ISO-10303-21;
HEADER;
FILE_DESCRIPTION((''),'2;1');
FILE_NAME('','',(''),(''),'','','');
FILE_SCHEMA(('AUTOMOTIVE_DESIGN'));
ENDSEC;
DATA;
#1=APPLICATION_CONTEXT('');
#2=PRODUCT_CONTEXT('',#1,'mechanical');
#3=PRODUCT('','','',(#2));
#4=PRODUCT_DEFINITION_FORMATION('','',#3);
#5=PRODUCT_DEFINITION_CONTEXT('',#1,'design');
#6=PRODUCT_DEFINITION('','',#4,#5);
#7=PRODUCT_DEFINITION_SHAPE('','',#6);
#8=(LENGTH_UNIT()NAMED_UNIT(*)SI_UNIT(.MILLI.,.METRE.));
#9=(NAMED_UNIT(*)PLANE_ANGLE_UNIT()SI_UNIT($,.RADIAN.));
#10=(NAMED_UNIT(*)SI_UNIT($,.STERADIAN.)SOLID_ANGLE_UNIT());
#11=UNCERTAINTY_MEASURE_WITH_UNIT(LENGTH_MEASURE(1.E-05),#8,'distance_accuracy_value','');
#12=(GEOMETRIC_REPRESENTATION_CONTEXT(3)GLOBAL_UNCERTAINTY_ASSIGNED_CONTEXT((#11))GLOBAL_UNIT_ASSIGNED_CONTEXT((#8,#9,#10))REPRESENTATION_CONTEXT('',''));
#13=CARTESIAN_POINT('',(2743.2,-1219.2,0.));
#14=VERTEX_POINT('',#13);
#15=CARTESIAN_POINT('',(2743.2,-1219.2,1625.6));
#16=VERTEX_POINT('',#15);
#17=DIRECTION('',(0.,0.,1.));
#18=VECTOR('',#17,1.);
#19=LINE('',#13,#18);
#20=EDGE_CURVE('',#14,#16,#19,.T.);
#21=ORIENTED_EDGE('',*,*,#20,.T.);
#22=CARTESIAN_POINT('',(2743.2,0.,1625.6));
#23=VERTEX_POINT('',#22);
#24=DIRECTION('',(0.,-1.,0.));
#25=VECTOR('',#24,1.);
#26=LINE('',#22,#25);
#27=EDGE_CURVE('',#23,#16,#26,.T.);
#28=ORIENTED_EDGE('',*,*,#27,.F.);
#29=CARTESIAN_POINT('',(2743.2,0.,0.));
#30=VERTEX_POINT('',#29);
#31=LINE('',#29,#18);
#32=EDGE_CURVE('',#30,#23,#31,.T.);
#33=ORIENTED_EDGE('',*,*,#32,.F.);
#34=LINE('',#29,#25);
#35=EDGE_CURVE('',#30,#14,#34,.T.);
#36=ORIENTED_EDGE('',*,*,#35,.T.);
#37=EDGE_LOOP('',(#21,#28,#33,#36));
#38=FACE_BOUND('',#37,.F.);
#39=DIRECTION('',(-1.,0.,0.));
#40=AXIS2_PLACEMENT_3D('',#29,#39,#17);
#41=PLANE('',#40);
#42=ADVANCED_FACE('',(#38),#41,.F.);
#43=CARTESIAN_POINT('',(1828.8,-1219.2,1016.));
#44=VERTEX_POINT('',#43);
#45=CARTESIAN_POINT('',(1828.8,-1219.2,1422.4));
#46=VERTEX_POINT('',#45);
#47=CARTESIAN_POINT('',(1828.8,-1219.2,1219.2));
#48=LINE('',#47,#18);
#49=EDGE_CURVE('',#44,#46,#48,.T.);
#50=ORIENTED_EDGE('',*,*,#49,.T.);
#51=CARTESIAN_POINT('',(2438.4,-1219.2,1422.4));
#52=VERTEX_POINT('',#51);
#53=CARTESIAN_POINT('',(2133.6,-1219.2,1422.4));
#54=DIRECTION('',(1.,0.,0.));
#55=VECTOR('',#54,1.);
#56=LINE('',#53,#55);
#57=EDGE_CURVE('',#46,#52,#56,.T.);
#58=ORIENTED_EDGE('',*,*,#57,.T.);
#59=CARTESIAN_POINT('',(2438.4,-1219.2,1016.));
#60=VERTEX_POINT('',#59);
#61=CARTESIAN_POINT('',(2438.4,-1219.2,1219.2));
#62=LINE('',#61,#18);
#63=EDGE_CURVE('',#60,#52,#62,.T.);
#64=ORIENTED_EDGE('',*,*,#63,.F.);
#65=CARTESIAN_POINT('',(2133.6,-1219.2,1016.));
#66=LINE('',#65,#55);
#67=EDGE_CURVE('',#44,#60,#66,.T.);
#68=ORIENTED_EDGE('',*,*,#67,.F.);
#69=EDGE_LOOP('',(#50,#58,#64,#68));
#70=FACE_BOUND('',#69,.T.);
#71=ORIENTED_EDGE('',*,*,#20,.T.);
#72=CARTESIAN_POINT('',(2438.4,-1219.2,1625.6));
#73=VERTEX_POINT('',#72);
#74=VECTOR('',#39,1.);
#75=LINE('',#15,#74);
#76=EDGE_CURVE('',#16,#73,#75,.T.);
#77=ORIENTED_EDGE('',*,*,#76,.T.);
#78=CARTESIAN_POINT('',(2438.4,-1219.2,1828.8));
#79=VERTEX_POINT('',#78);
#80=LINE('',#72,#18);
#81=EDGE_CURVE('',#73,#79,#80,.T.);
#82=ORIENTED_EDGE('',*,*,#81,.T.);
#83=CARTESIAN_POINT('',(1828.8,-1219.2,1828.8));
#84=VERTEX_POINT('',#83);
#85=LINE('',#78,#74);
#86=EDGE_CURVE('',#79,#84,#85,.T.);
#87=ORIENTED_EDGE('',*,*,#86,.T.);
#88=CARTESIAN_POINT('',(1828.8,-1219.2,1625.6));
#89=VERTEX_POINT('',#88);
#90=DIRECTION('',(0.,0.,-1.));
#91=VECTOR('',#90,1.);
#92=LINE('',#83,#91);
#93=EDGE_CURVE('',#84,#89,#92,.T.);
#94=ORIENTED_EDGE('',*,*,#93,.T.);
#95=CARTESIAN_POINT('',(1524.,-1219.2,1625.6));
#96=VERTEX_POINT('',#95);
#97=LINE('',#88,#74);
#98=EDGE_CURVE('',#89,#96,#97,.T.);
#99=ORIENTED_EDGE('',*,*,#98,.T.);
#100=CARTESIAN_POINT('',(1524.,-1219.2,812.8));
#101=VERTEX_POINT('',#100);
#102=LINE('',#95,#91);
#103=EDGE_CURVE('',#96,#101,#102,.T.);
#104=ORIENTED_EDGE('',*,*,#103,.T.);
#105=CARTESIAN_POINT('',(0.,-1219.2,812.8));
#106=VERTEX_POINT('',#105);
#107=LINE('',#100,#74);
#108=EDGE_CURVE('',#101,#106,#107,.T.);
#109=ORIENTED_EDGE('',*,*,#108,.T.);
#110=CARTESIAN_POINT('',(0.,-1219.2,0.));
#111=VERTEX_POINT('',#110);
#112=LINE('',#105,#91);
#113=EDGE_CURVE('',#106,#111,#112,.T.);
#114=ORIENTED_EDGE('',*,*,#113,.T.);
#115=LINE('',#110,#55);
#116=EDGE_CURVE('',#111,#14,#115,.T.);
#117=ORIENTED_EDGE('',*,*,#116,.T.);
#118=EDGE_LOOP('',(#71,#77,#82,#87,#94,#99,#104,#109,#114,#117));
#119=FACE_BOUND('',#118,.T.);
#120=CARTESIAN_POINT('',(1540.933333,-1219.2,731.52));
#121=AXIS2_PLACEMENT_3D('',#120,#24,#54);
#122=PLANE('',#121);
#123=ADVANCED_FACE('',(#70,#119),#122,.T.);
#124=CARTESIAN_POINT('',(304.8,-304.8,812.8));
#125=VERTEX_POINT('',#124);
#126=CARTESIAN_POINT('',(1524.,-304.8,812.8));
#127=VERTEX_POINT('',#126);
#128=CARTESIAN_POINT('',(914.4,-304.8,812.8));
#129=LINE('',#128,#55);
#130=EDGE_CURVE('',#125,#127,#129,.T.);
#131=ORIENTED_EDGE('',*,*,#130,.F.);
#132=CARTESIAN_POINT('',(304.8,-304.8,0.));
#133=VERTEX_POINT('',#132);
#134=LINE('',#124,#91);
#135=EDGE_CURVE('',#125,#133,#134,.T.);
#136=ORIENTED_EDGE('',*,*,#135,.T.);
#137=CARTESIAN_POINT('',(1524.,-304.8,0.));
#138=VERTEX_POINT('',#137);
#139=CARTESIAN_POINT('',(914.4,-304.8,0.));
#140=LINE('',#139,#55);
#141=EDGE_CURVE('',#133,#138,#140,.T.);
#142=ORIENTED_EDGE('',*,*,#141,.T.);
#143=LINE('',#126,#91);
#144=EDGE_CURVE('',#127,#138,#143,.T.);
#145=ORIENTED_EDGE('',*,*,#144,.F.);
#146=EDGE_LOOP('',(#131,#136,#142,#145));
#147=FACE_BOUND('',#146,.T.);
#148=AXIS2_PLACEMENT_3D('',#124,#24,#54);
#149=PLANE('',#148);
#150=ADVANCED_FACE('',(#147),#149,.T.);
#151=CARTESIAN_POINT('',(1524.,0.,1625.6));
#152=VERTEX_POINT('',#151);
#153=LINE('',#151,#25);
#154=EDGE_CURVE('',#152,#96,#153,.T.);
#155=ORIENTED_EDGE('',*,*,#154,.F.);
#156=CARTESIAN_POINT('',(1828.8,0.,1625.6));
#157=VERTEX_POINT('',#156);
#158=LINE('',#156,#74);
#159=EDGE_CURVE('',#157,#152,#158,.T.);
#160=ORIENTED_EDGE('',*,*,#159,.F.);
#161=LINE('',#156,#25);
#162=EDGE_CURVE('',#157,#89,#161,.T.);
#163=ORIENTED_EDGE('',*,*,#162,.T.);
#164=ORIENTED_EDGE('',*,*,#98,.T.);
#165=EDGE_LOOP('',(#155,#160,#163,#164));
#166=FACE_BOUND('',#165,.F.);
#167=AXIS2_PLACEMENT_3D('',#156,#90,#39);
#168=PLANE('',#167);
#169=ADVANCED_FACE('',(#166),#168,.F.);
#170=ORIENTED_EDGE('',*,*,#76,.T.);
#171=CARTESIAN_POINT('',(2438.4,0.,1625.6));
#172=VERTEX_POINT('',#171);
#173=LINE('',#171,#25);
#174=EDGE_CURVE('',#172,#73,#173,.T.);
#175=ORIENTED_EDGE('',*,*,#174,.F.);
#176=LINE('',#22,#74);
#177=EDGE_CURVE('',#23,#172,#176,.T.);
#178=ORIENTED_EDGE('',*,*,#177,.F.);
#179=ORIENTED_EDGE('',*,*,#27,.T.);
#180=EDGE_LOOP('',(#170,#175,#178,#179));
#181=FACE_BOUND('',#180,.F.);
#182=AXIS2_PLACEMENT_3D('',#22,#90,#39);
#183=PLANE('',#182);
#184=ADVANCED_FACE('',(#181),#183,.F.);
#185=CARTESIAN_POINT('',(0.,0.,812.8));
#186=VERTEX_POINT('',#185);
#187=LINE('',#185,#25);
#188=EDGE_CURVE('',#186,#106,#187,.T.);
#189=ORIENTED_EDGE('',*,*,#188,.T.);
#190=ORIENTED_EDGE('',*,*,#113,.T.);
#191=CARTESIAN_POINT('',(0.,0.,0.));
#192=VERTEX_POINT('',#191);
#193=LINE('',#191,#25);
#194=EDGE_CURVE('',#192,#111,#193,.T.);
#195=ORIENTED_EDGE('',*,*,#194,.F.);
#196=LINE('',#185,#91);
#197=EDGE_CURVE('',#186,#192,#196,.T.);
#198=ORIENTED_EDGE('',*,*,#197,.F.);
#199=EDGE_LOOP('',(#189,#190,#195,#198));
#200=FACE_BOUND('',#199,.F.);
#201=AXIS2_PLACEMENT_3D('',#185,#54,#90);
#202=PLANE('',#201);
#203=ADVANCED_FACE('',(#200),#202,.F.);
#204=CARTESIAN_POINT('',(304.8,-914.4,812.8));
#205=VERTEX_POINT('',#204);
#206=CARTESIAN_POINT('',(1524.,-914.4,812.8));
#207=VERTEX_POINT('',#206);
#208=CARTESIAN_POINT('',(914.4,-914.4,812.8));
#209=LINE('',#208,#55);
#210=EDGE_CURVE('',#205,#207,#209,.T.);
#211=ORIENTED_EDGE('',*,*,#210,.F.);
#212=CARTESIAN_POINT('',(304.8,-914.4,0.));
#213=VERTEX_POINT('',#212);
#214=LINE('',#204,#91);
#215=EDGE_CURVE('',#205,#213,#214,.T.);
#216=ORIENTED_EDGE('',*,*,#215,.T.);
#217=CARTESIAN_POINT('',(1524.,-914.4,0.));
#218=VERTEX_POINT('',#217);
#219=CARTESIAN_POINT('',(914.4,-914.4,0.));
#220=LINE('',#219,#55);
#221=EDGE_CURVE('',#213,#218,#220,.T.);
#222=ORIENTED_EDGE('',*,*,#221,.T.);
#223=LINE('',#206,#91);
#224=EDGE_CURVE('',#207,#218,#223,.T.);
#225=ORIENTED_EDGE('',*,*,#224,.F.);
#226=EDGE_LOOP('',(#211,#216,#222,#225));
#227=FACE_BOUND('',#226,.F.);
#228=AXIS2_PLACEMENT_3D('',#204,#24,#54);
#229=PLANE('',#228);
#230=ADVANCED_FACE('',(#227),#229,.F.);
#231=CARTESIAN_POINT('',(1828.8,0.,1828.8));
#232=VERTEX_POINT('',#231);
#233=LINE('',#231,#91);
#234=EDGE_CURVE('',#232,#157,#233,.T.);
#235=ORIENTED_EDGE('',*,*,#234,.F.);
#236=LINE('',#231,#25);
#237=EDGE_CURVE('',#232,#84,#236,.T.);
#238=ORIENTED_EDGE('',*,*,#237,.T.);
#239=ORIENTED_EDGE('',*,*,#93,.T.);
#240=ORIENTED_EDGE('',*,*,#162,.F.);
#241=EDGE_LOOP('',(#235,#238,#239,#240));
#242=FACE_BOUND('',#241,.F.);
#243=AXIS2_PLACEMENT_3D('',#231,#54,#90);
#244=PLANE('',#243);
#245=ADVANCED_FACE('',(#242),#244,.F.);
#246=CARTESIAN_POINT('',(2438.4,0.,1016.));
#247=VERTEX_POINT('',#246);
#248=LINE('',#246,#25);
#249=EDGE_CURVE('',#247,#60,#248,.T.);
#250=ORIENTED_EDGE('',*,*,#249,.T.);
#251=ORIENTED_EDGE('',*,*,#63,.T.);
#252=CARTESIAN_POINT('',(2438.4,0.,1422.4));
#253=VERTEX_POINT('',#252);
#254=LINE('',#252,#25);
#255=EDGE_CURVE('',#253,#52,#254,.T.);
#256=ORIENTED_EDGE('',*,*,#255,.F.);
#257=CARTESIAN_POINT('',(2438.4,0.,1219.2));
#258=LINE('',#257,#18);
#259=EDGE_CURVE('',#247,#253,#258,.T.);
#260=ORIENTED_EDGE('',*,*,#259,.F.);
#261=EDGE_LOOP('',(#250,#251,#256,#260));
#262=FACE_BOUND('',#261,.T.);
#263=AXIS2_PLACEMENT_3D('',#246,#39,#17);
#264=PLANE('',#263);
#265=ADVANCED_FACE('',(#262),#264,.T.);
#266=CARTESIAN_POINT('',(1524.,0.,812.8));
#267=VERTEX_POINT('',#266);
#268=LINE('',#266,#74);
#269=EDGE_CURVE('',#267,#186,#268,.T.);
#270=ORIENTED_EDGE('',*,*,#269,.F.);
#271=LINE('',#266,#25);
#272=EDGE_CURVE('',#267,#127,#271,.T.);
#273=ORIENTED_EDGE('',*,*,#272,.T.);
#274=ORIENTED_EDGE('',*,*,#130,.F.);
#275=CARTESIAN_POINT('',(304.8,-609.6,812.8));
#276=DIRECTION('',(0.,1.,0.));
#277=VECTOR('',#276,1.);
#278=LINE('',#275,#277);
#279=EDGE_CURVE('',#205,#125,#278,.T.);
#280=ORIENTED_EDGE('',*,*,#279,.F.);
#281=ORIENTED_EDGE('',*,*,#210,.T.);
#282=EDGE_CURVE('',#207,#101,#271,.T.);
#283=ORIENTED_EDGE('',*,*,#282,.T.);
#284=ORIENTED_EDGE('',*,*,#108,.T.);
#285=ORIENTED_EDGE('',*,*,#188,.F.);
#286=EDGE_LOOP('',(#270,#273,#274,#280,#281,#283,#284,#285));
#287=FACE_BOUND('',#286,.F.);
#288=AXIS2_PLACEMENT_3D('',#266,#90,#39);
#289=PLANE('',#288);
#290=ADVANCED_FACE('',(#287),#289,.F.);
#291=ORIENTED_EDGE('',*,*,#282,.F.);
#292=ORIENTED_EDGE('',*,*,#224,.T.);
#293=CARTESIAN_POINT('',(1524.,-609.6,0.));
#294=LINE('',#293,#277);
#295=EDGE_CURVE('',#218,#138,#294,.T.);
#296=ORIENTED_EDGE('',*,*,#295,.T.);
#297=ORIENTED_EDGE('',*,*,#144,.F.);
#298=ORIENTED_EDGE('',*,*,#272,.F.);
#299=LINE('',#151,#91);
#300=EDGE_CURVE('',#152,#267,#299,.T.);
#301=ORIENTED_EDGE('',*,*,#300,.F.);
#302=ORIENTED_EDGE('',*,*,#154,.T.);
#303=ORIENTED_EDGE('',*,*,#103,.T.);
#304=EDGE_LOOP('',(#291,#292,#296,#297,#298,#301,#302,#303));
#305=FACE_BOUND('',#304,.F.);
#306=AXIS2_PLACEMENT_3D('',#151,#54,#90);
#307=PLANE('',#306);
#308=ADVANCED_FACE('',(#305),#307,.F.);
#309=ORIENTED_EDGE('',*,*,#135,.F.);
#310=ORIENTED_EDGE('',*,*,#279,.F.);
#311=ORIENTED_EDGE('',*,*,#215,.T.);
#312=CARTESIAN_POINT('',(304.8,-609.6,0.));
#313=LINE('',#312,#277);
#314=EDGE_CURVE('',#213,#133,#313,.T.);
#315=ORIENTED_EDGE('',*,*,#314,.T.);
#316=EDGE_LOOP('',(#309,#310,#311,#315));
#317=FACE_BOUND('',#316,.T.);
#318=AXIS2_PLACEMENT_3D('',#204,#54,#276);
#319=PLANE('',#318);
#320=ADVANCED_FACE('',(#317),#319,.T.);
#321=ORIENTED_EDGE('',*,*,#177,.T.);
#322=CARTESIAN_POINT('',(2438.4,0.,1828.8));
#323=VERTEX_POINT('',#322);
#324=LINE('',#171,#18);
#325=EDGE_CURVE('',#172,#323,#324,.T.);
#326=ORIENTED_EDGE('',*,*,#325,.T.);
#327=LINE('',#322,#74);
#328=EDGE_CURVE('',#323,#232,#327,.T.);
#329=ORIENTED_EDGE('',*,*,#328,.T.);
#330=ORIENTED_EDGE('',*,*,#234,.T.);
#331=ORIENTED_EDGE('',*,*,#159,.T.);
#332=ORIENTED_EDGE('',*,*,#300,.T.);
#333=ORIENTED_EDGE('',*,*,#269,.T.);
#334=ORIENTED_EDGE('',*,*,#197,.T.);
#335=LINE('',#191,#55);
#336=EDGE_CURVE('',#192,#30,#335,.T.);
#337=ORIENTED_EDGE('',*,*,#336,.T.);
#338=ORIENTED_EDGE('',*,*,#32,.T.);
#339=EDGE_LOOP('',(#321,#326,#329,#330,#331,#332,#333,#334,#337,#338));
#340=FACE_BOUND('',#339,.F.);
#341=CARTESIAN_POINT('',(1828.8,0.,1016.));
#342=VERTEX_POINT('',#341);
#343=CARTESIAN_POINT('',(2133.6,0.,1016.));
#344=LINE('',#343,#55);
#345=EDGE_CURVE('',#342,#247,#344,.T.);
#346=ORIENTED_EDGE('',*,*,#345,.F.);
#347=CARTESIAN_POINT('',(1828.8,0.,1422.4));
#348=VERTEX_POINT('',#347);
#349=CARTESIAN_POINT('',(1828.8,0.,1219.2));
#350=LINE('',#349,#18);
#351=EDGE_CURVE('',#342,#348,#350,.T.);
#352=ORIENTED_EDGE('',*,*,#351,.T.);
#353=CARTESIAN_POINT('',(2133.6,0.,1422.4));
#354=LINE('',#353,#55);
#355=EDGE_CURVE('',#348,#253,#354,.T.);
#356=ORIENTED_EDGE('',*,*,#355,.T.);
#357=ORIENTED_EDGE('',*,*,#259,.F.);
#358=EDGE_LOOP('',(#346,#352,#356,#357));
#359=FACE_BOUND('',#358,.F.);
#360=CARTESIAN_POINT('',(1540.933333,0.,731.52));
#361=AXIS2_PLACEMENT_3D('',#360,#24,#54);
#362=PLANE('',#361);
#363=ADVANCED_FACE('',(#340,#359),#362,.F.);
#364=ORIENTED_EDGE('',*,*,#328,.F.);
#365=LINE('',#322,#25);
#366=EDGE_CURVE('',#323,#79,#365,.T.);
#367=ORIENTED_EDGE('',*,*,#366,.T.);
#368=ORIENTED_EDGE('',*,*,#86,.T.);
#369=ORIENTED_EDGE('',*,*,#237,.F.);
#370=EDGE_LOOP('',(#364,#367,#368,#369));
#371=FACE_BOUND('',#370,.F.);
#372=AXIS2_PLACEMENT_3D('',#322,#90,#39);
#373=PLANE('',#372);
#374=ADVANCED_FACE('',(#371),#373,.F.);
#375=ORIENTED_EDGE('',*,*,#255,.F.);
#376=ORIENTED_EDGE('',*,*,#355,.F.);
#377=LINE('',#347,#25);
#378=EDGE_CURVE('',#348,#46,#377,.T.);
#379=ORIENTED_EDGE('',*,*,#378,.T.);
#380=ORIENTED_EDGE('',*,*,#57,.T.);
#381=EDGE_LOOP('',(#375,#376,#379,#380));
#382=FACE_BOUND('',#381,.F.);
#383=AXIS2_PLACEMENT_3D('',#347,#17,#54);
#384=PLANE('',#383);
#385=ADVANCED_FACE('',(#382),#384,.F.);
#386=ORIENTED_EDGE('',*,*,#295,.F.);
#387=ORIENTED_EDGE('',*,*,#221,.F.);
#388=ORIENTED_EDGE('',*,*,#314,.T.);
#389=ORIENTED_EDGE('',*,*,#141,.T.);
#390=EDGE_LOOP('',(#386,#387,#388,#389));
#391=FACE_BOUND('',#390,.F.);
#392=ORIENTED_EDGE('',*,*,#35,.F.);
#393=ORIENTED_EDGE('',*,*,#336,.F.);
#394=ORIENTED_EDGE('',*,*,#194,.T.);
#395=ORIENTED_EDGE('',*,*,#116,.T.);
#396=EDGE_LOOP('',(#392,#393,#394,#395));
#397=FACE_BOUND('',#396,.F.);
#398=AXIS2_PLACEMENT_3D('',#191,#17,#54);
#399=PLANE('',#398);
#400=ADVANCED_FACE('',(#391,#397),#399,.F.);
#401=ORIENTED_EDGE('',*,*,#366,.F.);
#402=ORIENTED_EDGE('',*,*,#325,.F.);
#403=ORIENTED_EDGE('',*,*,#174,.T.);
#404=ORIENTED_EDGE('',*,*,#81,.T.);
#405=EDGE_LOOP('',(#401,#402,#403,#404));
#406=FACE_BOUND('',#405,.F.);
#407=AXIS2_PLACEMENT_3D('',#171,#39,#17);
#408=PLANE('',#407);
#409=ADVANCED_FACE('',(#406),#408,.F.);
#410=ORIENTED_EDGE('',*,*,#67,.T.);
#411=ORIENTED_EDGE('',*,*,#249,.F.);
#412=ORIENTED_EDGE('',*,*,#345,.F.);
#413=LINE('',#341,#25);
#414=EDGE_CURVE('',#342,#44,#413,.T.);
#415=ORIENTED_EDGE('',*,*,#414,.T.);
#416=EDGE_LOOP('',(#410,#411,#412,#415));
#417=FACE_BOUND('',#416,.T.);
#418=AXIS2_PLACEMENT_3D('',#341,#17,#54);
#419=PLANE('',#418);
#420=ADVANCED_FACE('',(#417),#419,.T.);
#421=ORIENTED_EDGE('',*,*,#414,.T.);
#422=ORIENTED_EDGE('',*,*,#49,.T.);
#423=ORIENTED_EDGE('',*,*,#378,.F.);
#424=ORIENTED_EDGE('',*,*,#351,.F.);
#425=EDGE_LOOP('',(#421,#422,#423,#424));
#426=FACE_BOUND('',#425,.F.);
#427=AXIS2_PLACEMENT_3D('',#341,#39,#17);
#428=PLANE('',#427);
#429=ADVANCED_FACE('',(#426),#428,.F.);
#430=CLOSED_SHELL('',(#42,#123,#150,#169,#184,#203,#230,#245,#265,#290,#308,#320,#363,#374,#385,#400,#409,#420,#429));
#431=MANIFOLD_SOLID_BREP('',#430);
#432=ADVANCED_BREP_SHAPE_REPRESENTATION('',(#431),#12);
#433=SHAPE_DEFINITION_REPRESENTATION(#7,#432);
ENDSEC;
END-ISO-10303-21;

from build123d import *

# Parameters (mm, degrees)
F0_W     = 609.6
F0_H     = 406.4
F1_DEPTH = 1219.2
F2_W     = 1219.2
F2_H     = 609.6
F3_DEPTH = 812.8


with BuildPart() as f1:
    # F0 (on Front) → F1 (new body)
    with BuildSketch(Plane.XZ):
        Polygon((0, 812.8), (0, 0), (2743.2, 0), (2743.2, 1625.6), (2438.4, 1625.6), (2438.4, 1828.8), (1828.8, 1828.8), (1828.8, 1625.6), (1524, 1625.6), (1524, 812.8), align=None)
        with Locations((2133.6, 1219.2)):
            Rectangle(F0_W, F0_H, mode=Mode.SUBTRACT)
    extrude(amount=F1_DEPTH)

    # F2 (on face) → F3 (cut)
    with BuildSketch(Plane.XY.offset(812.8)):
        with Locations((914.4, -609.6)):
            Rectangle(F2_W, F2_H)
    extrude(amount=-F3_DEPTH, mode=Mode.SUBTRACT)


solid = f1.part
